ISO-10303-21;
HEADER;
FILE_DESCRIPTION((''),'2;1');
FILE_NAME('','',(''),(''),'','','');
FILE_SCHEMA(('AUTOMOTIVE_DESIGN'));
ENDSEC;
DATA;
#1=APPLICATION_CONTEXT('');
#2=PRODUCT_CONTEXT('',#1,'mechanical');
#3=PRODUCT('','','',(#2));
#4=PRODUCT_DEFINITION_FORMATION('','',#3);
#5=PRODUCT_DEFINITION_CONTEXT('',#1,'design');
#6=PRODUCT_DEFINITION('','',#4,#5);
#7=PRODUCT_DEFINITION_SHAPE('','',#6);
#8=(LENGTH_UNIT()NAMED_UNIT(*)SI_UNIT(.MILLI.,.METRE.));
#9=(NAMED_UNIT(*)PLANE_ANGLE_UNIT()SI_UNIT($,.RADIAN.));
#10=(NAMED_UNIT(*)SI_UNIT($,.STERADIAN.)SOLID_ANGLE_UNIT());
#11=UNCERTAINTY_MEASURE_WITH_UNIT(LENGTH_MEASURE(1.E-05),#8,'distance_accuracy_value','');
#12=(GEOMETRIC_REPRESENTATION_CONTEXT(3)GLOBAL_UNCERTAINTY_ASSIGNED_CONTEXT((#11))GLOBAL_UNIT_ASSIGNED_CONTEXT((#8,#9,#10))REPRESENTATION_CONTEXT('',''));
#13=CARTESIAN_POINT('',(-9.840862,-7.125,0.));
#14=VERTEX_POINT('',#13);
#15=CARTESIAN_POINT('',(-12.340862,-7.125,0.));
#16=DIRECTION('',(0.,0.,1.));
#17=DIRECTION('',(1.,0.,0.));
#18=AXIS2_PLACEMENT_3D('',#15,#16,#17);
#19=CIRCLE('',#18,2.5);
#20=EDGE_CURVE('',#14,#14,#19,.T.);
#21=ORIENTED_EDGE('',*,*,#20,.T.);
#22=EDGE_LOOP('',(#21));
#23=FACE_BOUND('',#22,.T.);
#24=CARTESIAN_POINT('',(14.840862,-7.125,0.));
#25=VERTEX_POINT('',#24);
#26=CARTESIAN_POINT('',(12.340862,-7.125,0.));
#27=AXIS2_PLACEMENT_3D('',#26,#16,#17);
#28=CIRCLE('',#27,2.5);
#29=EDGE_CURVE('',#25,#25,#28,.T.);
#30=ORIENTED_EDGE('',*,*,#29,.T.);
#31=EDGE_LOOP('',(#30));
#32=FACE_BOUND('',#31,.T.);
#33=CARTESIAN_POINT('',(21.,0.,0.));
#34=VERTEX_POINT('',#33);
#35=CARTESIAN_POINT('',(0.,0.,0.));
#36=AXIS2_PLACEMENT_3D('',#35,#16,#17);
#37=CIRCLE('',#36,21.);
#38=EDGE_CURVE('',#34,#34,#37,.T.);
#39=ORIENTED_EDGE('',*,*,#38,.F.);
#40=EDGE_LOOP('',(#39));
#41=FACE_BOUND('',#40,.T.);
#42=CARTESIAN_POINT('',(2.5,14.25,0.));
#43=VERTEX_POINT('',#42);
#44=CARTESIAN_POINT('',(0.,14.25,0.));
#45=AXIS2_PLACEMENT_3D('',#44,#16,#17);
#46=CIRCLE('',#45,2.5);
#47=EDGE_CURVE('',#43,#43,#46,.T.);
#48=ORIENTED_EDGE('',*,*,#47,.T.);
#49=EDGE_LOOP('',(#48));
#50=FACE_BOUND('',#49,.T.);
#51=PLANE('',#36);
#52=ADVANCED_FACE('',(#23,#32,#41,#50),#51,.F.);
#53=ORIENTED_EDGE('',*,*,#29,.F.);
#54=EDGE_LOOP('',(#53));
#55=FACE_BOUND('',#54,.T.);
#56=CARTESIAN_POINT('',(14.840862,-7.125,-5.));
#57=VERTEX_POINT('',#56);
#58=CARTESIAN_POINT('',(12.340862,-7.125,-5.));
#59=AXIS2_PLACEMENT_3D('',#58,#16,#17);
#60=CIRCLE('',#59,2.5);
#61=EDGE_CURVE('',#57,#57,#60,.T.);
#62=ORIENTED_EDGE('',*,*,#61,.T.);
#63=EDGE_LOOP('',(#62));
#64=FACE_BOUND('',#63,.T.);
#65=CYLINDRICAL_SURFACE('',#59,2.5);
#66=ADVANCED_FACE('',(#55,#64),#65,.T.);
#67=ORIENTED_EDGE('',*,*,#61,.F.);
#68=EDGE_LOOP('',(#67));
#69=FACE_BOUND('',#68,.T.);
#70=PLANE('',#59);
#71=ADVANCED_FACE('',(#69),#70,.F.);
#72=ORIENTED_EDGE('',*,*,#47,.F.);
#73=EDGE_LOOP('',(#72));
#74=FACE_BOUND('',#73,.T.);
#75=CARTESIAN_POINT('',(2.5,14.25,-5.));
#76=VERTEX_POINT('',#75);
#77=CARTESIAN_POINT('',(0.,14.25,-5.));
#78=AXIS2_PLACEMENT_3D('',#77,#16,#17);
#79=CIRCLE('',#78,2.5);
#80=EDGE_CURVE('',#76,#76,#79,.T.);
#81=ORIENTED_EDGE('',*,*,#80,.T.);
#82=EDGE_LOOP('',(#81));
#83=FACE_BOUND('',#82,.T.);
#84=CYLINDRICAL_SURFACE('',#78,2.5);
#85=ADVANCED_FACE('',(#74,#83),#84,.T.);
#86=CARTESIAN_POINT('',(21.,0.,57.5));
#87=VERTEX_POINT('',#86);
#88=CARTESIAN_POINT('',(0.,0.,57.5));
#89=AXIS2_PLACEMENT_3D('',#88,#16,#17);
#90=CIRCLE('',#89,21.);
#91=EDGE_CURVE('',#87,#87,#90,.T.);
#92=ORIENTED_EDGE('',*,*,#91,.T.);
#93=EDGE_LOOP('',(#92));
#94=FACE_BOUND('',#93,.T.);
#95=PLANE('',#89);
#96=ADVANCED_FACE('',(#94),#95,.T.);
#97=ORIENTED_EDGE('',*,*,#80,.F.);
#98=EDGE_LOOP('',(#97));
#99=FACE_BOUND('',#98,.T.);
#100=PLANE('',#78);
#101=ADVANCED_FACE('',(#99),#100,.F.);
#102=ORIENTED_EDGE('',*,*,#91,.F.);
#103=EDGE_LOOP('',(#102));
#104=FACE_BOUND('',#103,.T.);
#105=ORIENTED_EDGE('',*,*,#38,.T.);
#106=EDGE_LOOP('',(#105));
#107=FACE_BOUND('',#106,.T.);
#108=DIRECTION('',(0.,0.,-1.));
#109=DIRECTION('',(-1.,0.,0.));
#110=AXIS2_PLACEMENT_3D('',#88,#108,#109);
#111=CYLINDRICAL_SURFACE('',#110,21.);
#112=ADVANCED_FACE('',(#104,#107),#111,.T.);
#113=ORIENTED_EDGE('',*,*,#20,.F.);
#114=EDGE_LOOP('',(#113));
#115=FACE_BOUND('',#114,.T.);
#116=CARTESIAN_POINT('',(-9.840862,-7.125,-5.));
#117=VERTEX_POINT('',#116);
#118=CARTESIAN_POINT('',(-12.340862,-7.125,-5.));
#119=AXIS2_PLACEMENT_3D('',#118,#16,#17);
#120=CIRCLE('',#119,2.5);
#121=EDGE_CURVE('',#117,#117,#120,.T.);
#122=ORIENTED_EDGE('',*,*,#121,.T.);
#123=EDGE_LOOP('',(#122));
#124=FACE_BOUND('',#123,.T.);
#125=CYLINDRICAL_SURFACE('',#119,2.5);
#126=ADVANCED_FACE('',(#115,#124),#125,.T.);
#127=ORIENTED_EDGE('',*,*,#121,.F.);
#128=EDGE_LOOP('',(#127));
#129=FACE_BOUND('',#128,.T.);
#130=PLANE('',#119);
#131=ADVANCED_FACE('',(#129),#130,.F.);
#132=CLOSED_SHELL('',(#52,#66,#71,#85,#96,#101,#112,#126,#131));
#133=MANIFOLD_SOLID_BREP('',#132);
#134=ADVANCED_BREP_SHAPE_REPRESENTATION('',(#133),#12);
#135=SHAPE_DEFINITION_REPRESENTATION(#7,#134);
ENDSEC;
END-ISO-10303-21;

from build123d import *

# Parameters (mm, degrees)
SKETCH1_R           = 21
BOSS_EXTRUDE1_DEPTH = 57.5
SKETCH2_R           = 2.5
BOSS_EXTRUDE2_DEPTH = 5


with BuildPart() as part:
    # Sketch1 → Boss-Extrude1 (new body)
    with BuildSketch(Plane.XY):
        Circle(SKETCH1_R)
    extrude(amount=BOSS_EXTRUDE1_DEPTH)

    # Sketch2 → Boss-Extrude2 (add)
    with BuildSketch(Plane.XY):
        with Locations((0, 14.25)):
            Circle(SKETCH2_R)
        with Locations((12.340862004, -7.125)):
            Circle(SKETCH2_R)
        with Locations((-12.340862004, -7.125)):
            Circle(SKETCH2_R)
    extrude(amount=-BOSS_EXTRUDE2_DEPTH)


solid = part.part
